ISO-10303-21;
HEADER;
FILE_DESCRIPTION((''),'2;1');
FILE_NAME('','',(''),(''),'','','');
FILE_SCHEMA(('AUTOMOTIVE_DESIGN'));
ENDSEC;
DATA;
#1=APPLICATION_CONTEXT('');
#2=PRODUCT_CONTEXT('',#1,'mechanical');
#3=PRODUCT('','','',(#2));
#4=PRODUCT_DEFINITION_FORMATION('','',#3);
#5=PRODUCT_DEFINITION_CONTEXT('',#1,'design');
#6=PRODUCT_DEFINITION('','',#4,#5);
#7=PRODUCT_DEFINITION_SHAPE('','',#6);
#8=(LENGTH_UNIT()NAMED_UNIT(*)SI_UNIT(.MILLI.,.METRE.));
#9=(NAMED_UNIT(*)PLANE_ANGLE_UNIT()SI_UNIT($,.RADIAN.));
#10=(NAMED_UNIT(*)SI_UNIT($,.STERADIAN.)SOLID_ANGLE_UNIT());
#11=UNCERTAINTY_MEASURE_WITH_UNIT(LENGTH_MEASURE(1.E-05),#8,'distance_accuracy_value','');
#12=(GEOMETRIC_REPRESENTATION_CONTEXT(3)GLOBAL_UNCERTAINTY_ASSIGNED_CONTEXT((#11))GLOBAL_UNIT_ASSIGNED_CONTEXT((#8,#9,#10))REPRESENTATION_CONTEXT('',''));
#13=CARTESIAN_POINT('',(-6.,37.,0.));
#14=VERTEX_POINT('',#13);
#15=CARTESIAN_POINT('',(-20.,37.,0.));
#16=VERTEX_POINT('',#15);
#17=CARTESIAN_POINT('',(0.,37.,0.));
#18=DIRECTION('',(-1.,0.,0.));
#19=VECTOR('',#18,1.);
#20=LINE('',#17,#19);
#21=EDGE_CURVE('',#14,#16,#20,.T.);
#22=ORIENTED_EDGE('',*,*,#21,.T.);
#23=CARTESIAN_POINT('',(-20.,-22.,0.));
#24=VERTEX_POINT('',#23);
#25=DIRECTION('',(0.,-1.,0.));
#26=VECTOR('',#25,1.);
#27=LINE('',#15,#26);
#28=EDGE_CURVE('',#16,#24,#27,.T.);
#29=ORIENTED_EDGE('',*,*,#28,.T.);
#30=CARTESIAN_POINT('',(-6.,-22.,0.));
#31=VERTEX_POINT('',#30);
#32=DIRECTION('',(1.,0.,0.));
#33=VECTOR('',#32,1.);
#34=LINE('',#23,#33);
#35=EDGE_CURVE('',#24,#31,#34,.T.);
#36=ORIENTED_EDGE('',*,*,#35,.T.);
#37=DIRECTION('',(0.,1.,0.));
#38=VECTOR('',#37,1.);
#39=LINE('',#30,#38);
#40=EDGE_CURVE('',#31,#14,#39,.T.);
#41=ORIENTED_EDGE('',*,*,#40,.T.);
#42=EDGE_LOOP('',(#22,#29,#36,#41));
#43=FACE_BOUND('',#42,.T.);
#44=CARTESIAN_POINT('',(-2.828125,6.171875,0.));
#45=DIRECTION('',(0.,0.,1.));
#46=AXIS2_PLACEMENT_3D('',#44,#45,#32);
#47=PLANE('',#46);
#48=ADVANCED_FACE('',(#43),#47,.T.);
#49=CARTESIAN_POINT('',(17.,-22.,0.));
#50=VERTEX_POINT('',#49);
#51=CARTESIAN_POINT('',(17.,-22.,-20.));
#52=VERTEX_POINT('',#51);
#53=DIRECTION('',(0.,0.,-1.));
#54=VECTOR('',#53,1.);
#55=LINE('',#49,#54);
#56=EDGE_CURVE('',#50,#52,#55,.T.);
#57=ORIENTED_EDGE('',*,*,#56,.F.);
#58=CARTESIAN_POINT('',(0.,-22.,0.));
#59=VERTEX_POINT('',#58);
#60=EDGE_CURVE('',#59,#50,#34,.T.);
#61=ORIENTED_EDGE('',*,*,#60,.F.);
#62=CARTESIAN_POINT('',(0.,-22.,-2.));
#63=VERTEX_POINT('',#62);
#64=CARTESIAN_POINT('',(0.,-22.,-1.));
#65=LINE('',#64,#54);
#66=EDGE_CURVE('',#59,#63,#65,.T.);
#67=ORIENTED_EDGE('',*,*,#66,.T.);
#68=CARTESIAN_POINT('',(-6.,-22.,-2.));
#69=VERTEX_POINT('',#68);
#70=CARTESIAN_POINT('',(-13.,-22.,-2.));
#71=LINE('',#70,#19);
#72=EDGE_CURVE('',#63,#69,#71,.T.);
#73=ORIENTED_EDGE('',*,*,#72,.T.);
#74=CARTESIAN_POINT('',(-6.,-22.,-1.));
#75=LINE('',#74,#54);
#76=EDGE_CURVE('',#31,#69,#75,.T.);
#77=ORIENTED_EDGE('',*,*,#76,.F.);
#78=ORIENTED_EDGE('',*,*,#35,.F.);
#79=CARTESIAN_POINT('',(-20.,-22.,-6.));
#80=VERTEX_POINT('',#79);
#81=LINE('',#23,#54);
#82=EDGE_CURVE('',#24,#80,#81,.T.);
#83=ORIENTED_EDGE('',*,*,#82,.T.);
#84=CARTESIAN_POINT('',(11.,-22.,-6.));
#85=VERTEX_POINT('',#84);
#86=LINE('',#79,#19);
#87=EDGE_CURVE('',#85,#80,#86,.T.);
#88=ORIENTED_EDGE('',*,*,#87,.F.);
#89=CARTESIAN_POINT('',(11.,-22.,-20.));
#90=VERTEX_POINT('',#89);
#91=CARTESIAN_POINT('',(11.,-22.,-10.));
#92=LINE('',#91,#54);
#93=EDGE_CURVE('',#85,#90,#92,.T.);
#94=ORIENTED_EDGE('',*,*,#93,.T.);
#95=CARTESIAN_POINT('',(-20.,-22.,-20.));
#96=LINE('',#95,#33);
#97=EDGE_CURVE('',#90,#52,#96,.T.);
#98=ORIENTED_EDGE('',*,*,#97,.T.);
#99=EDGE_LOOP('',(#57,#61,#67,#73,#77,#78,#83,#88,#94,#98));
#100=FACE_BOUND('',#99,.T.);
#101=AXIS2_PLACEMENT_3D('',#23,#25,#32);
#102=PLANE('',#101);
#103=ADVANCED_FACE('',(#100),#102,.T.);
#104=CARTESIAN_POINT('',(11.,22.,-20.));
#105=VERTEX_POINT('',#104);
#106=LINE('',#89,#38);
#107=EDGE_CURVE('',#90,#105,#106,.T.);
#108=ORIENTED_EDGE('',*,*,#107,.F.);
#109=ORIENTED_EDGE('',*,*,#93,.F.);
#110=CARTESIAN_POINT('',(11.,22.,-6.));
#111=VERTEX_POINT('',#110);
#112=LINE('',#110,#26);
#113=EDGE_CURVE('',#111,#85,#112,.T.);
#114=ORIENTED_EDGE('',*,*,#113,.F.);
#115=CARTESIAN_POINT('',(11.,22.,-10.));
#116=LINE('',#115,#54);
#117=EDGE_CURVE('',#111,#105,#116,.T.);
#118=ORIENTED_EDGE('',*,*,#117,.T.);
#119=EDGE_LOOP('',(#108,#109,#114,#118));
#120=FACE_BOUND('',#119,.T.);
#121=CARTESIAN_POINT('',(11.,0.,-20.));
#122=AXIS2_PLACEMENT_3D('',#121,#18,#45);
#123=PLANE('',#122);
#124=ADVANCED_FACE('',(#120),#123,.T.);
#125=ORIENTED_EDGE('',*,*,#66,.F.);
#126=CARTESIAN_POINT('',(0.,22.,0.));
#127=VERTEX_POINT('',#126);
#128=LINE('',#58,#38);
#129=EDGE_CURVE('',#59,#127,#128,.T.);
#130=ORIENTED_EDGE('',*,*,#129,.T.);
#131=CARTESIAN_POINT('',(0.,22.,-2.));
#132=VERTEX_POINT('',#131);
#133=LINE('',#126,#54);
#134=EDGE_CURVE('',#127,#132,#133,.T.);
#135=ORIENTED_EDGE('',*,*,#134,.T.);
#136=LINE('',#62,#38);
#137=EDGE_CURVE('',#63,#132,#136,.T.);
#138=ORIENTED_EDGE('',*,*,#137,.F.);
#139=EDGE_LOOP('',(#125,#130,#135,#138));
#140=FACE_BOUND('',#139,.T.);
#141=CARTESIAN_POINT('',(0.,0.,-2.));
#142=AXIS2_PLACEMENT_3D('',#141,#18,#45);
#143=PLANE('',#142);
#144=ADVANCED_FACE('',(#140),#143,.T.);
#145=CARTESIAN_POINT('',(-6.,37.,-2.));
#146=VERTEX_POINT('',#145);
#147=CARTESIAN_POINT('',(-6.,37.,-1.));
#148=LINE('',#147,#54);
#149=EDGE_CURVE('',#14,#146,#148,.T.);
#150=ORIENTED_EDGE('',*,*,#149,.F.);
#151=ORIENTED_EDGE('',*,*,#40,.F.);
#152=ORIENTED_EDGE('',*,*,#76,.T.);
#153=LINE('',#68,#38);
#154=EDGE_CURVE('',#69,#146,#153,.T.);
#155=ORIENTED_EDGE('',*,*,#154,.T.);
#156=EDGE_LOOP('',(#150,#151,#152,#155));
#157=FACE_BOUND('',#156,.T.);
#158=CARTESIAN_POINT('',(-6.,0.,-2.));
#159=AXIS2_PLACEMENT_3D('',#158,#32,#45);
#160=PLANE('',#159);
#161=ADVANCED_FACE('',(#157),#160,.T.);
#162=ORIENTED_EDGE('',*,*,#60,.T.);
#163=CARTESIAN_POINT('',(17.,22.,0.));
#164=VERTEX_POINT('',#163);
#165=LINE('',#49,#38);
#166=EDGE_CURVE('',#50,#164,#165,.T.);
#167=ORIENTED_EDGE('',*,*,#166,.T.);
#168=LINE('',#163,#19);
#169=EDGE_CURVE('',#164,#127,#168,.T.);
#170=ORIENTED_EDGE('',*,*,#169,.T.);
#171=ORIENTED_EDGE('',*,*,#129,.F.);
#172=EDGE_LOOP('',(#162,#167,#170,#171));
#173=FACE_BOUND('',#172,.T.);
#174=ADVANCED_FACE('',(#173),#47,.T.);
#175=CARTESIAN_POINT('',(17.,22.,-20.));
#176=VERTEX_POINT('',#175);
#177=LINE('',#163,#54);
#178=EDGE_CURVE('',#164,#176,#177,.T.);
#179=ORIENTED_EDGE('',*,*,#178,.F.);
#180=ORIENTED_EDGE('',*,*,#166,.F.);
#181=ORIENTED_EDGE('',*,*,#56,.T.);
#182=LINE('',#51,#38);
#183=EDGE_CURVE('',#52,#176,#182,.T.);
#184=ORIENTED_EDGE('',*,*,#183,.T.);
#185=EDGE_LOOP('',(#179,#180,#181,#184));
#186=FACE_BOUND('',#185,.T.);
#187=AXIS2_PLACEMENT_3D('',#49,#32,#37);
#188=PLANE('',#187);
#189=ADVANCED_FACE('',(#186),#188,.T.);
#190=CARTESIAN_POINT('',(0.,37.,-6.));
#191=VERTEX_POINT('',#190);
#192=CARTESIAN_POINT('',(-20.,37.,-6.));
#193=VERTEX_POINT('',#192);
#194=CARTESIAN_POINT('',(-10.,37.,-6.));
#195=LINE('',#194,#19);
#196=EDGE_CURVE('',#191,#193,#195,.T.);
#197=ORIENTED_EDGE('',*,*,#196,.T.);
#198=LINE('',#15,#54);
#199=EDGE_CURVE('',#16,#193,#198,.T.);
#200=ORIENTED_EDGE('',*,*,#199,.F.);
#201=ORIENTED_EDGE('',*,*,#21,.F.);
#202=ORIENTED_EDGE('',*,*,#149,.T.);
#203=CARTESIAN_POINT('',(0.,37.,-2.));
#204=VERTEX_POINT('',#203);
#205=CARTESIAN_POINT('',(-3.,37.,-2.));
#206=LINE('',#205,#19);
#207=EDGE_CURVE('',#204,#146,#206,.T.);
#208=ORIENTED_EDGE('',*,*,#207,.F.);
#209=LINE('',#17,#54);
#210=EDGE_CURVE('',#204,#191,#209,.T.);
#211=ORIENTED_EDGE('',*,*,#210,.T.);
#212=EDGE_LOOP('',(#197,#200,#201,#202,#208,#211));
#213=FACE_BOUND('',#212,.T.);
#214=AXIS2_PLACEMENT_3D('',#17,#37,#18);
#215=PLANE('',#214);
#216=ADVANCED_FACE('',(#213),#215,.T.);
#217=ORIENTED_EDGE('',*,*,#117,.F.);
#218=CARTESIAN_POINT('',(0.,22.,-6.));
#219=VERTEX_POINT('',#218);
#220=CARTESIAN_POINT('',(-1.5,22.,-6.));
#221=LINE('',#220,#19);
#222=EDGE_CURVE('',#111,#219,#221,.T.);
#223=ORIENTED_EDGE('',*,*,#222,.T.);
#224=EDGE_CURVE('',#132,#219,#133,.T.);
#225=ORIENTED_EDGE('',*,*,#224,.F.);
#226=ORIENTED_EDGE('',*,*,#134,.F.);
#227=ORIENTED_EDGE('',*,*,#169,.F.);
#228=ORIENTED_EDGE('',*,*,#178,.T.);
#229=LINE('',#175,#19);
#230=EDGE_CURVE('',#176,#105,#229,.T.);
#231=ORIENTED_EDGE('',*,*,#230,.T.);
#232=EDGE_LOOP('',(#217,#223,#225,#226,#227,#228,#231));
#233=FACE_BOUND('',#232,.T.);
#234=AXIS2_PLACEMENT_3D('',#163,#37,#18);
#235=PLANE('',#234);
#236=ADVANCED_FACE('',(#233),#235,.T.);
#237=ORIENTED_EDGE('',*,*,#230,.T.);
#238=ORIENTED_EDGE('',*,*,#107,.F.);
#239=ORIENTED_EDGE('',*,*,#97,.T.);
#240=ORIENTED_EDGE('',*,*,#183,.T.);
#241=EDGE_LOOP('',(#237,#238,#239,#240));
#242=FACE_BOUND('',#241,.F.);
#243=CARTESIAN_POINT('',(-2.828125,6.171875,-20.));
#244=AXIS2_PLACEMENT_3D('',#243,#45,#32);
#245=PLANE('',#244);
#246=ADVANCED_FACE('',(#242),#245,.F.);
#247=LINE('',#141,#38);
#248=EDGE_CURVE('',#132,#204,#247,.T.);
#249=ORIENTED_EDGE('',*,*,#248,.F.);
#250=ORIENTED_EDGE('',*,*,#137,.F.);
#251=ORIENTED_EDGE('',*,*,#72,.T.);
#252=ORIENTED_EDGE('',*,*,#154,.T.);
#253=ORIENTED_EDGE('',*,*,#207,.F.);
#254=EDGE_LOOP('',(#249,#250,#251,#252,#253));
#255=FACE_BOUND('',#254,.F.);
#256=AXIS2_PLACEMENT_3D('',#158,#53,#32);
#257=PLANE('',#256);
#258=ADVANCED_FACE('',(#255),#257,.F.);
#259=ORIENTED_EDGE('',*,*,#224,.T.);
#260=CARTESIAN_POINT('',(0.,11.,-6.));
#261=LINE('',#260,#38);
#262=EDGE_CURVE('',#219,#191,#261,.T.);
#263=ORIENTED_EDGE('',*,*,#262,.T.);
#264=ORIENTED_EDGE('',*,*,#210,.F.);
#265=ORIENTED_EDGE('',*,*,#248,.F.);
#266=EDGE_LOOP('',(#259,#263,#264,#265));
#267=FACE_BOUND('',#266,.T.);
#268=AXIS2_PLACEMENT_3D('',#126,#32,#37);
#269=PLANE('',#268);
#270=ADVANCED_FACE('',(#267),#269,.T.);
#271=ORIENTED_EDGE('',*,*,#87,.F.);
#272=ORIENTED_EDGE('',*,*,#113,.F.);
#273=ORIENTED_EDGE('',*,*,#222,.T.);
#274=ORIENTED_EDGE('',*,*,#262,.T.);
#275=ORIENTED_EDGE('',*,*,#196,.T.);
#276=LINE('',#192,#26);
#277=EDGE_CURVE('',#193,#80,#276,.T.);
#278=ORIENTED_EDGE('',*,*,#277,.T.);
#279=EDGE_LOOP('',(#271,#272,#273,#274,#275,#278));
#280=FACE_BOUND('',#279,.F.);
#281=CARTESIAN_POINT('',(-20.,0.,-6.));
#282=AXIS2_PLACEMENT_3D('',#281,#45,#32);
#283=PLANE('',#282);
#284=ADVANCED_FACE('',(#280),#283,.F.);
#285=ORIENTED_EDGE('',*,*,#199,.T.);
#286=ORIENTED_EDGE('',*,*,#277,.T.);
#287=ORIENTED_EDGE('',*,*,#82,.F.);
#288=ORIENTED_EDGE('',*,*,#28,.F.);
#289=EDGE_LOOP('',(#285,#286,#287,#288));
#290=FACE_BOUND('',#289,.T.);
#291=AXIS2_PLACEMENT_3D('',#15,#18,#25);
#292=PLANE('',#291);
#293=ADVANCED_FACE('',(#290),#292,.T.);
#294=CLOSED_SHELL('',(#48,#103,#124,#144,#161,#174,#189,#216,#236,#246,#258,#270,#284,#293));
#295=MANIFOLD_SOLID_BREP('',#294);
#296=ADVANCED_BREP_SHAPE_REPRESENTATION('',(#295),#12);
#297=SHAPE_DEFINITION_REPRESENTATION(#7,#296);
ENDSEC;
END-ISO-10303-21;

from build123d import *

# Parameters (mm, degrees)
PAD_DEPTH            = 20
SKETCH001_W          = 31
SKETCH001_H          = 14
POCKET_DEPTH         = 37.001
POCKET_DEPTH_BACK    = -22.001
SKETCH002_W          = 6
SKETCH002_H          = 2
POCKET001_DEPTH      = 37.001
POCKET001_DEPTH_BACK = -22.001


with BuildPart() as part:
    # Sketch → Pad (new body)
    with BuildSketch(Plane.XY):
        Polygon((-20, 37), (-20, -22), (17, -22), (17, 22), (0, 22), (0, 37), align=None)
    extrude(amount=-PAD_DEPTH)

    # Sketch001 → Pocket (cut, two sides)
    with BuildSketch(Plane.XZ) as pocket_sk:
        with Locations((-4.5, -13)):
            Rectangle(SKETCH001_W, SKETCH001_H)
    extrude(amount=-POCKET_DEPTH, mode=Mode.SUBTRACT)
    extrude(pocket_sk.sketch, amount=-POCKET_DEPTH_BACK, mode=Mode.SUBTRACT)

    # Sketch002 → Pocket001 (cut, two sides)
    with BuildSketch(Plane.XZ) as pocket001_sk:
        with Locations((-3, -1)):
            Rectangle(SKETCH002_W, SKETCH002_H)
    extrude(amount=-POCKET001_DEPTH, mode=Mode.SUBTRACT)
    extrude(pocket001_sk.sketch, amount=-POCKET001_DEPTH_BACK, mode=Mode.SUBTRACT)


solid = part.part
